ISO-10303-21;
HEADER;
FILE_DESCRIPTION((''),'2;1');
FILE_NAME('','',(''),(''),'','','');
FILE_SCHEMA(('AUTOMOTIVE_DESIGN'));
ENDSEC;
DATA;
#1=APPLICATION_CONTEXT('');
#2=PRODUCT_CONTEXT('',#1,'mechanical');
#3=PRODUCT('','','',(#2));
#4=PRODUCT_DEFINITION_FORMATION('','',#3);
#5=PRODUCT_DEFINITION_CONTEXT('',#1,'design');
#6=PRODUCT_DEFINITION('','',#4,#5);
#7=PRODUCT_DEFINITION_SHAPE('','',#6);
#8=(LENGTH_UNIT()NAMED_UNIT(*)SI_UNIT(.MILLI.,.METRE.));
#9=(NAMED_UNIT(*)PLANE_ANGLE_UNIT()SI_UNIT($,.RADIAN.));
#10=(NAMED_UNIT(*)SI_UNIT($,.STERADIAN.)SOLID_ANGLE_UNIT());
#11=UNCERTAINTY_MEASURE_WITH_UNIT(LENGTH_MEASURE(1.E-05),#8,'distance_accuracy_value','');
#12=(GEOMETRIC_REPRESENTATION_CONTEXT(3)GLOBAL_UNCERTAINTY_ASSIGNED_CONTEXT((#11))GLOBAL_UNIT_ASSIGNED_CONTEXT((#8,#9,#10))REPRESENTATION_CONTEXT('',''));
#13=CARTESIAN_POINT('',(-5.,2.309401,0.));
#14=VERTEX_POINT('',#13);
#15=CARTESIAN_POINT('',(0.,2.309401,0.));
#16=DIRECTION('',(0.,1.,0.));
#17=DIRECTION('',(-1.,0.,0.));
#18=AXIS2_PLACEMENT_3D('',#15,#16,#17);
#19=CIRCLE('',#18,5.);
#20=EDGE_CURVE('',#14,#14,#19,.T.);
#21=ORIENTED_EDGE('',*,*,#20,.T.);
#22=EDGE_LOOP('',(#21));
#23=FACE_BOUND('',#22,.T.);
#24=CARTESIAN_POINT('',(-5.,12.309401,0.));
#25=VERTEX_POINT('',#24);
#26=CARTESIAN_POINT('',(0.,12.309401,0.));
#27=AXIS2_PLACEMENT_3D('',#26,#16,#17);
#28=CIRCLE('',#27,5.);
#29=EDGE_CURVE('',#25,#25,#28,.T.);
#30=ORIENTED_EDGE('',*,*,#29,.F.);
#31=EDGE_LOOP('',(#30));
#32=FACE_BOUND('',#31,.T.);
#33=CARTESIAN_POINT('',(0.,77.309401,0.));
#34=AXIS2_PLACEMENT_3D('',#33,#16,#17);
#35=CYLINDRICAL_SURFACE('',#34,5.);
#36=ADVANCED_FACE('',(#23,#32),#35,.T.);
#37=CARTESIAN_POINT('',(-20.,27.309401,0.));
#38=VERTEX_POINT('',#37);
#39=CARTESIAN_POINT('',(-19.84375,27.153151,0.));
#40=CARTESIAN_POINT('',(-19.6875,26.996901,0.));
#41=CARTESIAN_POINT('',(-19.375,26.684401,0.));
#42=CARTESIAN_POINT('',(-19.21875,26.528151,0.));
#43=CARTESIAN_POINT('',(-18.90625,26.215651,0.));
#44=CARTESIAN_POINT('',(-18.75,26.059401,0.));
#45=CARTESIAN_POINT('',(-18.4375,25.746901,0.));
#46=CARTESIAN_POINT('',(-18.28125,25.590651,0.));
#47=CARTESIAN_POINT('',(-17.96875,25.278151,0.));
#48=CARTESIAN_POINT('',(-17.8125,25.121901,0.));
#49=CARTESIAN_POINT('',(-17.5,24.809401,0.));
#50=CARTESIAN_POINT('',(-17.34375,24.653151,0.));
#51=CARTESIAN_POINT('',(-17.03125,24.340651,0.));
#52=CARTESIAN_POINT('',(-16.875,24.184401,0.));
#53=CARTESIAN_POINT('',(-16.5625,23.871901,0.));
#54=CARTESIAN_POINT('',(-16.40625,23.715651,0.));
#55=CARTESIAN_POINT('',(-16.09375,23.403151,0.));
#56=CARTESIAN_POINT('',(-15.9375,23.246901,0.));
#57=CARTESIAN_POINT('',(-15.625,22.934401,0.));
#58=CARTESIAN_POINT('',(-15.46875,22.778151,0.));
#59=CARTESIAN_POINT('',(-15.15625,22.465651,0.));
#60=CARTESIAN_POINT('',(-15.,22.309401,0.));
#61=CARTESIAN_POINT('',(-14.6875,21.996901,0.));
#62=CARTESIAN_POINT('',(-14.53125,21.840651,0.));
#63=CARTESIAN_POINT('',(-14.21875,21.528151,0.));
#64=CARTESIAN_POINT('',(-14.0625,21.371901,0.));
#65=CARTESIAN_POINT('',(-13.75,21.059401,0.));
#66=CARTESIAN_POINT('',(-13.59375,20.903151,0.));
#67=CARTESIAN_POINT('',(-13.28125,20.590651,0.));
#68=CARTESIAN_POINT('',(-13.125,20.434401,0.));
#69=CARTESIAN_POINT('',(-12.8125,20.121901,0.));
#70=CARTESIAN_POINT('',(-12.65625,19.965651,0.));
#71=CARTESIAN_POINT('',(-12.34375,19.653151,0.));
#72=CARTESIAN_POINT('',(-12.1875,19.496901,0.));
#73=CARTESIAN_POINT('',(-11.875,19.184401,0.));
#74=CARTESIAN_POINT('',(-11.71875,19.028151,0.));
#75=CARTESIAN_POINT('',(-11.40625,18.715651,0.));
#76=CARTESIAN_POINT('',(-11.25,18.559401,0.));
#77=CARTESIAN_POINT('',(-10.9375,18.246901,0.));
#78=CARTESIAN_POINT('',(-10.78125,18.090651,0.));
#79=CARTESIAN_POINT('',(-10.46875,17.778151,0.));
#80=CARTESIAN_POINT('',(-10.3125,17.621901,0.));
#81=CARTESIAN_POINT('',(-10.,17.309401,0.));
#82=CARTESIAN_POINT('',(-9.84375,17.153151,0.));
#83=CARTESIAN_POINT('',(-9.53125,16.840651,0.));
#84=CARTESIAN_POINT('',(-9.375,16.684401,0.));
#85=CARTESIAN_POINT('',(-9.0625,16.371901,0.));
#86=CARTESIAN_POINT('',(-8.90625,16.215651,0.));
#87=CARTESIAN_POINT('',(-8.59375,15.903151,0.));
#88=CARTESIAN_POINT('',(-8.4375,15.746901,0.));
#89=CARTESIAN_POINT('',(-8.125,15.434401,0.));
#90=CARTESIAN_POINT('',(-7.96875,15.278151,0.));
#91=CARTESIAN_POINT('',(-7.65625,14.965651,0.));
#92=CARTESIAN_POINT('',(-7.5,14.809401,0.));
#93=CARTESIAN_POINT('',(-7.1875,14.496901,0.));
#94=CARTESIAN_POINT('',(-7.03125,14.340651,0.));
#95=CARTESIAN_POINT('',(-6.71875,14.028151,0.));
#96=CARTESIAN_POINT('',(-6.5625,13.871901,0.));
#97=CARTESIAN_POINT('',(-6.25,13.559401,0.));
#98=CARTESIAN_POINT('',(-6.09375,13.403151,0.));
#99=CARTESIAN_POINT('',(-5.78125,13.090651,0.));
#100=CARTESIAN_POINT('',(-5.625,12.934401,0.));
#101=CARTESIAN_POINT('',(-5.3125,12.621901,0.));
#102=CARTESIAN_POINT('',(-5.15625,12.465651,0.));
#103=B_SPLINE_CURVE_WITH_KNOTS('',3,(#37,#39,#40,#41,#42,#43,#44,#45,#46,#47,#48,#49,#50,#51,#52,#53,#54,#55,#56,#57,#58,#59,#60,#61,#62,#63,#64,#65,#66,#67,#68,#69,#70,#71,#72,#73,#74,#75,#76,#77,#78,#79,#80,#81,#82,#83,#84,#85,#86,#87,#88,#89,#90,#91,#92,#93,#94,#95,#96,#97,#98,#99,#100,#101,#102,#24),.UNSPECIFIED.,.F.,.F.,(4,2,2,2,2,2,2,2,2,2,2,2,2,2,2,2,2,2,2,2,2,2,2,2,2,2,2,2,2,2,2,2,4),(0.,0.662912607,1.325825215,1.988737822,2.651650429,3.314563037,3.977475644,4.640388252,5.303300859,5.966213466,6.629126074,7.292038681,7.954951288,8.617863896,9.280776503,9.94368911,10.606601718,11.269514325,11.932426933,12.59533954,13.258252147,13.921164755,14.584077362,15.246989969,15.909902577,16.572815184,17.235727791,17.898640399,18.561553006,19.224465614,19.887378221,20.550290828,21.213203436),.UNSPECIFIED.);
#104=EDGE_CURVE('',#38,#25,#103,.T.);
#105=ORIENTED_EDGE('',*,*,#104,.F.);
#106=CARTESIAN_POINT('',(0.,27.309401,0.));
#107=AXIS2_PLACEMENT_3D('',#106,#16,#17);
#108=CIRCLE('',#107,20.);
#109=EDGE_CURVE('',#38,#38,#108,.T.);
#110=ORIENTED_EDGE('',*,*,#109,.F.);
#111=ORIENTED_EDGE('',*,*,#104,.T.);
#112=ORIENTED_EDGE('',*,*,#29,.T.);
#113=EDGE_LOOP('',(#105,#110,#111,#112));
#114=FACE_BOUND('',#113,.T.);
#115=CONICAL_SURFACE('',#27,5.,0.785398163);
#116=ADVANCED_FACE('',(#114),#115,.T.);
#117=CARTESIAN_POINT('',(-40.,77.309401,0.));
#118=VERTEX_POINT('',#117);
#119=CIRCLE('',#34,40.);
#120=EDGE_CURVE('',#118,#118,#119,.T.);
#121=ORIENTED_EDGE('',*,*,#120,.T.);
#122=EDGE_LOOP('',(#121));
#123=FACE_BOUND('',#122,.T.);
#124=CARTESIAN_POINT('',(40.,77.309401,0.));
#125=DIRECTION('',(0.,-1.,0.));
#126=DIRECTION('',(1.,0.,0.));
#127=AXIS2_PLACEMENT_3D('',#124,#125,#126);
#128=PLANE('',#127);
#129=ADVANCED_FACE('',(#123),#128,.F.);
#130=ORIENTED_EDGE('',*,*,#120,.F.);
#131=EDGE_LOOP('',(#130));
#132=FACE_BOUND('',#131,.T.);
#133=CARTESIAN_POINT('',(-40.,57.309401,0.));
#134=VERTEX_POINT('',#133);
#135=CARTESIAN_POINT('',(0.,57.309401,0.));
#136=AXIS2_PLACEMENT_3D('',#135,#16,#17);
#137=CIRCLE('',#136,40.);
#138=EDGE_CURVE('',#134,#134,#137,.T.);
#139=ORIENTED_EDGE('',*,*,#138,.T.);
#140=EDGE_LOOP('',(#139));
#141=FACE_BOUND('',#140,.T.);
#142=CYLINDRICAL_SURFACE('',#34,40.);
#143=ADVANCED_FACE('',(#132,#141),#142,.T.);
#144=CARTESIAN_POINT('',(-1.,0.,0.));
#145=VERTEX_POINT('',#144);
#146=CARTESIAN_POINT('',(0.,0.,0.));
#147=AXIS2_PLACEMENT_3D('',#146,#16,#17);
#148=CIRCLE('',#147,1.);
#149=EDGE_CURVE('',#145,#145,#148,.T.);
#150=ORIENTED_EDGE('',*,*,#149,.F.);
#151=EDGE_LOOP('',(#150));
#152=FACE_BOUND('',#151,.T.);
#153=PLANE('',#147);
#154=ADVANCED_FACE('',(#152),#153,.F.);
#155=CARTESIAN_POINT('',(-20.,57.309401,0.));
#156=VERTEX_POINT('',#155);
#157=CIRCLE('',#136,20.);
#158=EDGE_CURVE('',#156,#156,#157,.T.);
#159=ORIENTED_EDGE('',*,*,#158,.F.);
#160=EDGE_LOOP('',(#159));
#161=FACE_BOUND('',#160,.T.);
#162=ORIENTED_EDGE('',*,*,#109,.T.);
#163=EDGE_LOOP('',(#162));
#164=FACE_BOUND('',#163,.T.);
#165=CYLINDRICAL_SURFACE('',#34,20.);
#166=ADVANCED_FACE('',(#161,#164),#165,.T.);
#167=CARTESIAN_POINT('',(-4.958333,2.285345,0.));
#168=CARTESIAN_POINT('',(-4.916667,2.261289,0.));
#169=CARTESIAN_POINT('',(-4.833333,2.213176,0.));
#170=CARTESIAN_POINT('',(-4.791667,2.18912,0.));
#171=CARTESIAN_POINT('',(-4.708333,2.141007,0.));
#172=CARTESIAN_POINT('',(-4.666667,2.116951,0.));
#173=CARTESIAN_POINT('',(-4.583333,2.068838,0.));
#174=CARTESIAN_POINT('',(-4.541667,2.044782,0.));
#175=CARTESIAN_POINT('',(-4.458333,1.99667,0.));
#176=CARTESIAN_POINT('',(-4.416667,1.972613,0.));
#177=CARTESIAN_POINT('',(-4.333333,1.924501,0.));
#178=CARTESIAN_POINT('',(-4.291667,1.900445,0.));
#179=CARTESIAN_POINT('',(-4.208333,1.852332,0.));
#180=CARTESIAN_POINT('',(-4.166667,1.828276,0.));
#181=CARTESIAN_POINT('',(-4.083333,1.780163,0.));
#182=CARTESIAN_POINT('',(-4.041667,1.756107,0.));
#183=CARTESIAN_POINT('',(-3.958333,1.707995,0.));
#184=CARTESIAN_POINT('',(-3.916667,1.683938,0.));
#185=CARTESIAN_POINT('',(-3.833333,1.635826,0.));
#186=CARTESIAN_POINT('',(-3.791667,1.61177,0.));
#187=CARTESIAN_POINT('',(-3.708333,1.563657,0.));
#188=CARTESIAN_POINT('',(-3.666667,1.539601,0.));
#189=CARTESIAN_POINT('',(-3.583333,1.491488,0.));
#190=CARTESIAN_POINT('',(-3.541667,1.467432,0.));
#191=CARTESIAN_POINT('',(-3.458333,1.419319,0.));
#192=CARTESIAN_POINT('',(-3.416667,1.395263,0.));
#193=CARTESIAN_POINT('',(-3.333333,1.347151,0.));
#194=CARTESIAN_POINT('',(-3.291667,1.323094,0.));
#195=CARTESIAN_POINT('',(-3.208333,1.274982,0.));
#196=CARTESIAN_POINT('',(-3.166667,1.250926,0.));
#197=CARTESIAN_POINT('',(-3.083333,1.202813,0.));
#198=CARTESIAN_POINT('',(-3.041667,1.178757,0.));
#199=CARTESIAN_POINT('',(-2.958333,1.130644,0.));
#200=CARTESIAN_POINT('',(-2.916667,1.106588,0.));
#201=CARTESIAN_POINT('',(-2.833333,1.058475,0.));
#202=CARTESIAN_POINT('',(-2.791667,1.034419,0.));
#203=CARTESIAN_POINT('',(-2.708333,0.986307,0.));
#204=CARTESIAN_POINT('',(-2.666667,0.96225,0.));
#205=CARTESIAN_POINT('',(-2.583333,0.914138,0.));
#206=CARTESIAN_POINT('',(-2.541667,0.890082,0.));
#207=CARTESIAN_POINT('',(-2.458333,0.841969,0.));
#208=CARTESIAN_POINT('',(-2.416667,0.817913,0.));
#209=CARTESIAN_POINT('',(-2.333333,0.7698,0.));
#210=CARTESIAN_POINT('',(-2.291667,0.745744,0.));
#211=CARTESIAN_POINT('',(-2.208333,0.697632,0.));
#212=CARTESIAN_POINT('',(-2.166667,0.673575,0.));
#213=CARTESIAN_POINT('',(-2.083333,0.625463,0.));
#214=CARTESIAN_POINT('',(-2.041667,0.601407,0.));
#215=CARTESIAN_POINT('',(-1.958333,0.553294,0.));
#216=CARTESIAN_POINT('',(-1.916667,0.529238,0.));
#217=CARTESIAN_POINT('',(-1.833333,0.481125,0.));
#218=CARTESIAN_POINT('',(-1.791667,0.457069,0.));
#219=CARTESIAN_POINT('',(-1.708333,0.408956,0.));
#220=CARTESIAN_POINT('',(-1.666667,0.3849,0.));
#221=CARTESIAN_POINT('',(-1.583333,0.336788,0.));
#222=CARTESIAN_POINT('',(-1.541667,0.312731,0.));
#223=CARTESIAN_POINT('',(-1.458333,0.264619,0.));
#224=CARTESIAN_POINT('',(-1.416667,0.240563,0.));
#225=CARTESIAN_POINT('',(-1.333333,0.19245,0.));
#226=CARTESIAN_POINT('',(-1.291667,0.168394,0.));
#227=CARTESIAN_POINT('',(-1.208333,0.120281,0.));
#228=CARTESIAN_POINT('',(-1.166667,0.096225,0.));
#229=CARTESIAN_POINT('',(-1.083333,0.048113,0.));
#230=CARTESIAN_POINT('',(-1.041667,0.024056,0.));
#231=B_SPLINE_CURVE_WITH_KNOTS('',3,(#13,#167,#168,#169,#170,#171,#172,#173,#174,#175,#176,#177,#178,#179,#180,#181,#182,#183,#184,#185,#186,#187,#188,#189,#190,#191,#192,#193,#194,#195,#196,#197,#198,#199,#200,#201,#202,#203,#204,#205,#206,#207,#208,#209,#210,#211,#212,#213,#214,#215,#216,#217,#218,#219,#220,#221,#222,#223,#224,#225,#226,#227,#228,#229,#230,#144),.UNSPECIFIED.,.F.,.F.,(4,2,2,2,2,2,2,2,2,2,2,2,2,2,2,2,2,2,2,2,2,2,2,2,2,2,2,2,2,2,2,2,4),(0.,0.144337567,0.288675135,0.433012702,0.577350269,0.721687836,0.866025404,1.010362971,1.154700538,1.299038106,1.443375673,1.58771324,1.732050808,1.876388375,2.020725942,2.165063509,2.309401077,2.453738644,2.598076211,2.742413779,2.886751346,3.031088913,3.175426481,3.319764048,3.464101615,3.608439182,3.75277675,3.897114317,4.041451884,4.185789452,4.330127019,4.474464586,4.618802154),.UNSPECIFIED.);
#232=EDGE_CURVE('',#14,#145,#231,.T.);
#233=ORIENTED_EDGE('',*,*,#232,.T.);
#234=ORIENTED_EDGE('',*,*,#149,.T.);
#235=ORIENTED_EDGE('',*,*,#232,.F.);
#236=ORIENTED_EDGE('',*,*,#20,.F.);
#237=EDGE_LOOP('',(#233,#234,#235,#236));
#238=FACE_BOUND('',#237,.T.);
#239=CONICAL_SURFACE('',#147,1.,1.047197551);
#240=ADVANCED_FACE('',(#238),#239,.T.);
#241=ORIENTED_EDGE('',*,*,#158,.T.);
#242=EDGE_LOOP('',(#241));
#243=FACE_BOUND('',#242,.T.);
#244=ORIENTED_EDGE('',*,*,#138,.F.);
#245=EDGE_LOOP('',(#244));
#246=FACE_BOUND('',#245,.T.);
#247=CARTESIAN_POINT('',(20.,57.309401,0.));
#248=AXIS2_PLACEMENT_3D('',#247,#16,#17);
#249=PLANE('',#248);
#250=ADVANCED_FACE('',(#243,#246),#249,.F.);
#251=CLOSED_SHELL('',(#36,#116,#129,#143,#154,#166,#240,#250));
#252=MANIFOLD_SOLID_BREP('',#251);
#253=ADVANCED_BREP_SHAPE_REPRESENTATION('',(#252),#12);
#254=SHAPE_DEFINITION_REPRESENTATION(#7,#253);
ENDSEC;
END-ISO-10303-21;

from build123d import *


with BuildPart() as part:
    # Sketch1 → Revolve1 (revolve)
    with BuildSketch(Plane.XY, mode=Mode.PRIVATE) as revolve1_sk:
        Polygon((0, 0), (1, 0), (5, 2.309401077), (5, 12.309401077), (20, 27.309401077), (20, 57.309401077), (40, 57.309401077), (40, 77.309401077), (0, 77.309401077), align=None)
    revolve(revolve1_sk.sketch.rotate(Axis((0, 77.309401077, 0), (0, -1, 0)), 180), axis=Axis((0, 77.309401077, 0), (0, -1, 0)))


solid = part.part
